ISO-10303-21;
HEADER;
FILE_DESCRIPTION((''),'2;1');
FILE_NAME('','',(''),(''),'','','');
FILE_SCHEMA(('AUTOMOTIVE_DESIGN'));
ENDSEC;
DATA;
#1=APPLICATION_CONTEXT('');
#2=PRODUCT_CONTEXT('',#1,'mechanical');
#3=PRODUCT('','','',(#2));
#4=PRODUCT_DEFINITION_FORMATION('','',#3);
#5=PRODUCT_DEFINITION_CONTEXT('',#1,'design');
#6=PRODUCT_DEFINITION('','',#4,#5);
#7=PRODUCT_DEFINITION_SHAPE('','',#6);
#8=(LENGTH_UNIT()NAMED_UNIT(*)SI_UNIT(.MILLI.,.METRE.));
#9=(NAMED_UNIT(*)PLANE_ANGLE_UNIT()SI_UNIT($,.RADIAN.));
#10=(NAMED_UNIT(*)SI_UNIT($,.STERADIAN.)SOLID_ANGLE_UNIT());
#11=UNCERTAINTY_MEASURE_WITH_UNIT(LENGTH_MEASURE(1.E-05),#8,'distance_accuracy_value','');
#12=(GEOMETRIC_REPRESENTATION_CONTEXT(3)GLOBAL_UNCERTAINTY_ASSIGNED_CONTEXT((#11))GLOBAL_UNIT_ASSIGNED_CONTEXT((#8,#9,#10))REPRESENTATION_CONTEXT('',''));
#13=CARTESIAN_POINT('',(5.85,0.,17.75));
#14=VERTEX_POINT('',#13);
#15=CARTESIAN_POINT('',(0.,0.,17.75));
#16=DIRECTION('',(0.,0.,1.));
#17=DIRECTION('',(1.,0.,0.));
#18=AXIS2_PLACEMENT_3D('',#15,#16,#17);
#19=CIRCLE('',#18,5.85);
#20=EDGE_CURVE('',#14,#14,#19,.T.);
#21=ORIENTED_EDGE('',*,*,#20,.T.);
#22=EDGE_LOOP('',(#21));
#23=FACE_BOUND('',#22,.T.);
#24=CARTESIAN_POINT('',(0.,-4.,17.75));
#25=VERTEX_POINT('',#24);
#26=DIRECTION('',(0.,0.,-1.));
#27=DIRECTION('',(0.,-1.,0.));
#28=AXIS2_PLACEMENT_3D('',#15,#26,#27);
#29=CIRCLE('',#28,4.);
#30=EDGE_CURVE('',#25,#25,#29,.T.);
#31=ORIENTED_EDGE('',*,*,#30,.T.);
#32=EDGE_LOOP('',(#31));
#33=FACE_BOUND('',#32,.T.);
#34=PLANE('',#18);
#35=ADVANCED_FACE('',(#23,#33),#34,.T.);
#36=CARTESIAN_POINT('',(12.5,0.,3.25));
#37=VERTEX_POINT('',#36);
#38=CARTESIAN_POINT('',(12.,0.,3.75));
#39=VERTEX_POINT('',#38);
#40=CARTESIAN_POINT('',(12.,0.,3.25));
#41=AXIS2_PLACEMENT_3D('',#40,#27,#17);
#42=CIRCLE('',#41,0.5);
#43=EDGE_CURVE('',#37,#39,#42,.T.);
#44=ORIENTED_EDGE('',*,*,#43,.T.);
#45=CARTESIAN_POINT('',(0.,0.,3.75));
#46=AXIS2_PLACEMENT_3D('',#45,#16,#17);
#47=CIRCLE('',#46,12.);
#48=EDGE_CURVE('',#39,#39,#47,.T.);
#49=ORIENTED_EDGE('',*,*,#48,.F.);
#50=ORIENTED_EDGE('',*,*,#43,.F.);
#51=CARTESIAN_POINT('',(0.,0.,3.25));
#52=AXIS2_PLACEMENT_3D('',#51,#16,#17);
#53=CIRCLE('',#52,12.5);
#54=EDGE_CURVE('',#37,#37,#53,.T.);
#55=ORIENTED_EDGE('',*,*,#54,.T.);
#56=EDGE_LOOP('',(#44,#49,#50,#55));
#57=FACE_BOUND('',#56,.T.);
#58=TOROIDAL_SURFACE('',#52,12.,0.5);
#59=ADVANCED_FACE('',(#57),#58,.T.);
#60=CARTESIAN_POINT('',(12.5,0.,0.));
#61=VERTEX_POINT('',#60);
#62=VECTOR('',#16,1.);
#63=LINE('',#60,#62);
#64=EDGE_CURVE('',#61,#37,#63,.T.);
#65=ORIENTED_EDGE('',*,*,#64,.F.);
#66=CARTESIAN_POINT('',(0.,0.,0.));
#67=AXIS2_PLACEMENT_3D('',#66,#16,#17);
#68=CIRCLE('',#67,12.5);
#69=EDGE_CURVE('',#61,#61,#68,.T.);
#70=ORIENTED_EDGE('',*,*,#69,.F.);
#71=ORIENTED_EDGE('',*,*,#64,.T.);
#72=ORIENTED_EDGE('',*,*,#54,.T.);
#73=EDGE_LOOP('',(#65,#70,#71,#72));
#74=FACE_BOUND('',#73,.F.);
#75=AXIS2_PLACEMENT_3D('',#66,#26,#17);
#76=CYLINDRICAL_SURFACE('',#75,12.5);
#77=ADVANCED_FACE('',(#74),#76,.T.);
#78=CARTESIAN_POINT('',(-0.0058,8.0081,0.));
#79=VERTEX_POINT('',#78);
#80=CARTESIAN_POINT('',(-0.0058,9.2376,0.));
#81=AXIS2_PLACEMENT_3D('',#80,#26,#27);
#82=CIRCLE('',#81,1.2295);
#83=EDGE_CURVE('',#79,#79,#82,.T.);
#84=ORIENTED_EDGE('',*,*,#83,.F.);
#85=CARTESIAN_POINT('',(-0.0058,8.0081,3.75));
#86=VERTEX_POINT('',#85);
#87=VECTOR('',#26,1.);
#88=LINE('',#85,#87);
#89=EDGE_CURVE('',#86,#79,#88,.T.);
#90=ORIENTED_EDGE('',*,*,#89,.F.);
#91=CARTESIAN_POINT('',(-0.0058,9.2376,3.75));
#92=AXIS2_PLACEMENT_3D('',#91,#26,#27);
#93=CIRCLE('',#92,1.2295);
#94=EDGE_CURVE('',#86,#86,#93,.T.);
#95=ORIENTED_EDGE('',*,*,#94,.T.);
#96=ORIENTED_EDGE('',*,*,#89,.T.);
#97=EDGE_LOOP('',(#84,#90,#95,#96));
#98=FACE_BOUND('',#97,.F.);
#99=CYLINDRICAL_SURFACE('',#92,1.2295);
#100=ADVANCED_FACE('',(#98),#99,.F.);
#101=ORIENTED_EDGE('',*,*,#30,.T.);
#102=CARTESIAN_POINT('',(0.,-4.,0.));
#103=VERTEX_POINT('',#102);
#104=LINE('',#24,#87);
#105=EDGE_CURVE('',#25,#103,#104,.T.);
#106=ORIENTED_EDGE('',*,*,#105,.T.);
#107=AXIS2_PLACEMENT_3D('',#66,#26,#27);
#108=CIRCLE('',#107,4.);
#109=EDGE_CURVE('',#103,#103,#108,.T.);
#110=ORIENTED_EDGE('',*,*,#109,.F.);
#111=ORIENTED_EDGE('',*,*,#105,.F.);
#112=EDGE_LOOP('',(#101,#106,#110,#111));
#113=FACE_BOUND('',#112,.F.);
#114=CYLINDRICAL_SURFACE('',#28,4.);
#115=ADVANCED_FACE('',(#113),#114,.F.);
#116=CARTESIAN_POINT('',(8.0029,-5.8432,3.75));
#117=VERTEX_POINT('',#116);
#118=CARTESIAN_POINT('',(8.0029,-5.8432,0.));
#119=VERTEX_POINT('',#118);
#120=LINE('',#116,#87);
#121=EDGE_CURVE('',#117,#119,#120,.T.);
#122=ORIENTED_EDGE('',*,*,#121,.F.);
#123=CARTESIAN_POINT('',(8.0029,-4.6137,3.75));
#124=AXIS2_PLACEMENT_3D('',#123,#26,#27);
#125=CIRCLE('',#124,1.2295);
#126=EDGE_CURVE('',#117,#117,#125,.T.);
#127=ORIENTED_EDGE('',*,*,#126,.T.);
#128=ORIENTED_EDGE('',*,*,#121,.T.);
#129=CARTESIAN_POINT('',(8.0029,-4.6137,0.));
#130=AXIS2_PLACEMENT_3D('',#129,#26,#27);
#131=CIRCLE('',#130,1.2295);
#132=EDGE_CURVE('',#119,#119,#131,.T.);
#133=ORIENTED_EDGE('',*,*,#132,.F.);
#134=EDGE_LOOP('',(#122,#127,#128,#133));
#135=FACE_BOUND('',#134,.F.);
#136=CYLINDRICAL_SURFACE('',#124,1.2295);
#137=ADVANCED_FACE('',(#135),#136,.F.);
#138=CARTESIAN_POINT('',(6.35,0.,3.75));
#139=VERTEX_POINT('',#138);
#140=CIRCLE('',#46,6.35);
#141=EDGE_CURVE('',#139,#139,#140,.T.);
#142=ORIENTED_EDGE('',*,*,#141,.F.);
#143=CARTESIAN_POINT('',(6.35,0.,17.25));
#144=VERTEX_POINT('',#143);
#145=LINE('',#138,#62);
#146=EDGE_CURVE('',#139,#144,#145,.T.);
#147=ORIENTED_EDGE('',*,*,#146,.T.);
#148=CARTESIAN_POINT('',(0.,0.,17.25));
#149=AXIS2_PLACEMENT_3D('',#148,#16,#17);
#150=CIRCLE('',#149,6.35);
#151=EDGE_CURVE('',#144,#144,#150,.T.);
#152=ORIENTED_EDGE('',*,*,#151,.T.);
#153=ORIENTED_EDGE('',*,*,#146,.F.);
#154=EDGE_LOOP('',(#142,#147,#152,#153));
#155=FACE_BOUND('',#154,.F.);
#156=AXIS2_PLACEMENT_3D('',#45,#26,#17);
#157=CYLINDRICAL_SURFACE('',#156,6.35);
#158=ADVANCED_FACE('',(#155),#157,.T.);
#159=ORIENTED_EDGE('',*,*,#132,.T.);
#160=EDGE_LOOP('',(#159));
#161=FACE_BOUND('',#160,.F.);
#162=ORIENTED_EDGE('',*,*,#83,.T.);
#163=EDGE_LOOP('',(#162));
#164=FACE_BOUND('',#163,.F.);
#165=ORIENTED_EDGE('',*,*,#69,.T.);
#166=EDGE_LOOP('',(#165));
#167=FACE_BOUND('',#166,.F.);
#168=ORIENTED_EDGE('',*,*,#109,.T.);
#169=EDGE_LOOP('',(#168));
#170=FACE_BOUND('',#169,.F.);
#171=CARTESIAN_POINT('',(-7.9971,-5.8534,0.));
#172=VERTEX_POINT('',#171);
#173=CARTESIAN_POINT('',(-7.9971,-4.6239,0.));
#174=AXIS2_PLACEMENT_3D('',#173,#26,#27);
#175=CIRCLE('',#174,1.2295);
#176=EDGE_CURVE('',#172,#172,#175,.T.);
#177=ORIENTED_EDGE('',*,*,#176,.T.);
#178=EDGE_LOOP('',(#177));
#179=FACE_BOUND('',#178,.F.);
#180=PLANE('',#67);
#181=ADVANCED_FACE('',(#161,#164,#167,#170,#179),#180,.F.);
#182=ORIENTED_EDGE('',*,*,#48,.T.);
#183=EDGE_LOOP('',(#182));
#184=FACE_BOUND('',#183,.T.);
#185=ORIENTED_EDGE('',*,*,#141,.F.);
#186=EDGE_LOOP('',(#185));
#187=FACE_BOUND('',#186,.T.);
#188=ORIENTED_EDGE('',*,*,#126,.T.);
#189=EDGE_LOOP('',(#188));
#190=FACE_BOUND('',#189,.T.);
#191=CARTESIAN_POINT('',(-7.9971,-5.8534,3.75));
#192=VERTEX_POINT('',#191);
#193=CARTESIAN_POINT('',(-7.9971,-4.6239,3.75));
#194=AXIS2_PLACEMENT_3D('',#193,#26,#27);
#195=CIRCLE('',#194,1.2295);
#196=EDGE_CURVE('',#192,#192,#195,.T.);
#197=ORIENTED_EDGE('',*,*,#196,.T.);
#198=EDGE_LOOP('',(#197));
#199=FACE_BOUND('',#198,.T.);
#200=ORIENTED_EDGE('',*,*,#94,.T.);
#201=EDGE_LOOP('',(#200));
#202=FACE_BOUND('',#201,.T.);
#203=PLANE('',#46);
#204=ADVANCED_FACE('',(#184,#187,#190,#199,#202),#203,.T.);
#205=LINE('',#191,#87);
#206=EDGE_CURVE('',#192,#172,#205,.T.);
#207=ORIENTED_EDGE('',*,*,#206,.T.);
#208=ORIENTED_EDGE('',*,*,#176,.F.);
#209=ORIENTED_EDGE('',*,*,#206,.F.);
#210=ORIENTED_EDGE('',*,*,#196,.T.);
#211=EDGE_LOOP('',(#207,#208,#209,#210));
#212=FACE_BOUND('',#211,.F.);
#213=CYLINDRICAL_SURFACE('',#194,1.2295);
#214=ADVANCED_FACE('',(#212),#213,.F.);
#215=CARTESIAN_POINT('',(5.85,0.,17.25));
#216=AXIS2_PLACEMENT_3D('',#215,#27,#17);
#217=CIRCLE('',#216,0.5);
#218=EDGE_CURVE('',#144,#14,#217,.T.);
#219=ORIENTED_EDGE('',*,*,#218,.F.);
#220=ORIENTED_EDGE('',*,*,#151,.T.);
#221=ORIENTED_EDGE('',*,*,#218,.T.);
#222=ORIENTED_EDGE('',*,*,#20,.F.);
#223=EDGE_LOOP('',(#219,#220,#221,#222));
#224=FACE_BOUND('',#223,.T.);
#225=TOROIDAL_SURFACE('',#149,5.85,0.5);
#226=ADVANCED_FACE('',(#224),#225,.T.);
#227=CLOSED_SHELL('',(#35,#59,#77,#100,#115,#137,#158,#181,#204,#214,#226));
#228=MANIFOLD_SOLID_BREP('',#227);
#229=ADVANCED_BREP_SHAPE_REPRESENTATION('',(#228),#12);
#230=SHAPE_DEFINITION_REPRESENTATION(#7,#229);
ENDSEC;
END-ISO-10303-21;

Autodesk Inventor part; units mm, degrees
ref_plane "YZ Plane" through (0, 0, 0) normal (1, 0, 0) x (0, 1, 0)
ref_plane "XZ Plane" through (0, 0, 0) normal (0, 1, 0) x (-1, 0, 0)
ref_plane "XY Plane" through (0, 0, 0) normal (0, 0, 1) x (1, 0, 0)
sketch "Sketch1" plane through (0, 0, 0) normal (0, 0, 1) x (1, 0, 0)
  circle A0 centre (0, 0) radius 12.5
  dimension "d0" = 25
extrude "Extrusion1" add sketch "Sketch1" along normal blind 3.75
sketch "Sketch2" plane through (0, 0, 3.75) normal (0, 0, 1) x (1, 0, 0)
  circle A0 centre (0, 0) radius 12.5 projected
  circle A1 centre (0, 0) radius 6.35
  dimension "d3" = 12.7
extrude "Extrusion2" add sketch "Sketch2" along normal blind 14 contours A1
sketch "Sketch3" plane through (0, 0, 17.75) normal (0, 0, 1) x (1, 0, 0)
  circle A0 centre (0, 0) radius 6.35 projected
hole "Hole1" at (0, 0, 17.75) direction (0, 0, -1) diameter 8 end through all
sketch "Sketch4" plane through (0, 0, 3.75) normal (0, 0, 1) x (1, 0, 0)
  circle A0 centre (0, 0) radius 12.5 projected
  line L0 (-7.9971, -4.6239) -> (-0.0058, 9.2376) construction
  line L1 (-0.0058, 9.2376) -> (8.0029, -4.6137) construction
  line L2 (8.0029, -4.6137) -> (-7.9971, -4.6239) construction
  circle A1 centre (0, 0) radius 9.2376 construction
  dimension "d13" = 16
hole "Hole2" at (-7.9971, -4.6239, 3.75) at (-0.0058, 9.2376, 3.75) at (8.0029, -4.6137, 3.75) direction (0, 0, -1) diameter 2.459 end through all thread size "M3x0.5" class "6H" standard "ANSI Metric M Profile"
fillet "Fillet1" radius 0.5 2 edges at (-12.5, 0, 3.75) (-6.35, 0, 17.75)
properties part number "lead carriage"
